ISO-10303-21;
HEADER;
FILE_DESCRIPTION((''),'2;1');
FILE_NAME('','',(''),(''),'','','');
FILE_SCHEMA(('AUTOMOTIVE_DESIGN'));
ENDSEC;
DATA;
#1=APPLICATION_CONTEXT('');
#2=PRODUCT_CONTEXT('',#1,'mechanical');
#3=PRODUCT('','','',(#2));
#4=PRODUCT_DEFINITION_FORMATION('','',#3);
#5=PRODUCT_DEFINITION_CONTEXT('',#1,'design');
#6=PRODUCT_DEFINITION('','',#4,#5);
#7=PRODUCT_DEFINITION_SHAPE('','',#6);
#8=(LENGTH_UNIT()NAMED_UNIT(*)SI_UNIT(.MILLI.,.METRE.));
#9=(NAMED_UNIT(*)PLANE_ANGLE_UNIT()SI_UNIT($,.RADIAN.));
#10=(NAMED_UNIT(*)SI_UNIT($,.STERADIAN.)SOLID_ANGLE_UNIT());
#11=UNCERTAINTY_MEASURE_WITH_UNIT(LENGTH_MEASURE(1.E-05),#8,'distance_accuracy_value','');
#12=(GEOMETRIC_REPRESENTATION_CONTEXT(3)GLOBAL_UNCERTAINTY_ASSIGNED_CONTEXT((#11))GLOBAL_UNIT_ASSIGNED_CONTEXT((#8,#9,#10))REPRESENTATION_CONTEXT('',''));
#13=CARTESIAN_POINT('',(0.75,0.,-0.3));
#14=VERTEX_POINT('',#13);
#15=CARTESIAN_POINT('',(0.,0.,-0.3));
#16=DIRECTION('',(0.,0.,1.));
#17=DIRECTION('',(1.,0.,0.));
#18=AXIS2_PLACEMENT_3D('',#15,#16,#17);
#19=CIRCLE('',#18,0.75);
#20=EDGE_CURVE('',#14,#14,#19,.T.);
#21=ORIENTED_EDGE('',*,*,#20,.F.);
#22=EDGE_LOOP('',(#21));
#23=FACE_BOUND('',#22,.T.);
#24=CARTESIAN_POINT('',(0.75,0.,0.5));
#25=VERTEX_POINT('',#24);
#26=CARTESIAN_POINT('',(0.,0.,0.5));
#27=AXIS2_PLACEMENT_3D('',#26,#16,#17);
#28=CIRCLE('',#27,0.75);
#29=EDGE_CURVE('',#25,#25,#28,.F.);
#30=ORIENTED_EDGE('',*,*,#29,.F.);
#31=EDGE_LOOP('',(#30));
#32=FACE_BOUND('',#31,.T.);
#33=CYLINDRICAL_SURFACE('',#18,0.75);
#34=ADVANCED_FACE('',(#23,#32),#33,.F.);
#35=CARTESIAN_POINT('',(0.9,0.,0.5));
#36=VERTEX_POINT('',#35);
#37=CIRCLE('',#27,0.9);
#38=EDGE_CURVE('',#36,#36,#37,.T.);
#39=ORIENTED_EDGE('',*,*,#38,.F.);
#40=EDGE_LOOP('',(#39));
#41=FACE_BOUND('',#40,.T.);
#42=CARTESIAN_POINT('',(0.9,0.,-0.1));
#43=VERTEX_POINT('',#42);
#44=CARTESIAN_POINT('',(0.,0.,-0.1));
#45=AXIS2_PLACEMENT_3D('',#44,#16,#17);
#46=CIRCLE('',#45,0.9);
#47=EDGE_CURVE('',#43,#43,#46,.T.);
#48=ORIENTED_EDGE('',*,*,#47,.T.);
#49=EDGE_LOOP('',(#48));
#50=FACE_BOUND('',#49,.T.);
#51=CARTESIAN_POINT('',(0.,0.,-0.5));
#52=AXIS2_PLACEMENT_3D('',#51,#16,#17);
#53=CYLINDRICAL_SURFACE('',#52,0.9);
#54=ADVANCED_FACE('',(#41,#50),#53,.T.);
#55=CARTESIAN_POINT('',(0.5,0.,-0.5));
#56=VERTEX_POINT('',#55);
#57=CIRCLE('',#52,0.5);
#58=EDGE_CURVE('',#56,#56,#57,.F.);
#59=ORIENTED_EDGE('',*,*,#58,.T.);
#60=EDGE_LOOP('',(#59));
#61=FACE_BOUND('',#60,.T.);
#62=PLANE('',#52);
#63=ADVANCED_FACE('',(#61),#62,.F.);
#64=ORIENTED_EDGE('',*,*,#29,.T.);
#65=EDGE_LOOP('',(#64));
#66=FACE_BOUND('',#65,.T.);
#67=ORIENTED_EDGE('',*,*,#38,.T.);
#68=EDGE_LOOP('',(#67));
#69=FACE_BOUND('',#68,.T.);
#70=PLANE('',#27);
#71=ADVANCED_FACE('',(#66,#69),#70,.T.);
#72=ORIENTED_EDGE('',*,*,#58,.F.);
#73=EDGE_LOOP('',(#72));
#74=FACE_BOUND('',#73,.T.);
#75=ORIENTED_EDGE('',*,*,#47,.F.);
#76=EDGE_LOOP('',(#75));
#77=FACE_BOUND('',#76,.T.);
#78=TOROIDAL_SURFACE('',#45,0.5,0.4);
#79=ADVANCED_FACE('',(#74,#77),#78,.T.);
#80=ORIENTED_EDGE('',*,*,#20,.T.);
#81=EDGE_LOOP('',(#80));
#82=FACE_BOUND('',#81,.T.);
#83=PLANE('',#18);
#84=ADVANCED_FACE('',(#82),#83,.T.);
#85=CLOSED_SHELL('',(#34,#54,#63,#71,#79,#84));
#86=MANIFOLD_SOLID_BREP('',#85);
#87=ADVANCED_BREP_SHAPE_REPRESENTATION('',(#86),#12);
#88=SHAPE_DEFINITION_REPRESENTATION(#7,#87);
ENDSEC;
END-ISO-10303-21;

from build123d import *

# Parameters (mm, degrees)
SKETCH1_R           = 0.9
BOSS_EXTRUDE1_DEPTH = 0.5
FILLET1_R           = 0.4
SKETCH2_R           = 0.75
CUT_EXTRUDE1_DEPTH  = 0.3
SKETCH3_R           = 0.9
SKETCH3_R_2         = 0.75
BOSS_EXTRUDE3_DEPTH = 0.5


with BuildPart() as part:
    # Sketch1 → Boss-Extrude1 (new body)
    with BuildSketch(Plane.XY):
        Circle(SKETCH1_R)
    extrude(amount=-BOSS_EXTRUDE1_DEPTH)

    # Fillet1
    fillet1_edges = [part.edges().sort_by_distance(p)[0] for p in [
        (-0.9, 0, -0.5),
    ]]
    fillet(fillet1_edges, radius=FILLET1_R)

    # Sketch2 → Cut-Extrude1 (cut)
    with BuildSketch(Plane.XY):
        Circle(SKETCH2_R)
    extrude(amount=-CUT_EXTRUDE1_DEPTH, mode=Mode.SUBTRACT)

    # Sketch3 → Boss-Extrude3 (add)
    with BuildSketch(Plane.XY):
        Circle(SKETCH3_R)
        Circle(SKETCH3_R_2, mode=Mode.SUBTRACT)
    extrude(amount=BOSS_EXTRUDE3_DEPTH)


solid = part.part
